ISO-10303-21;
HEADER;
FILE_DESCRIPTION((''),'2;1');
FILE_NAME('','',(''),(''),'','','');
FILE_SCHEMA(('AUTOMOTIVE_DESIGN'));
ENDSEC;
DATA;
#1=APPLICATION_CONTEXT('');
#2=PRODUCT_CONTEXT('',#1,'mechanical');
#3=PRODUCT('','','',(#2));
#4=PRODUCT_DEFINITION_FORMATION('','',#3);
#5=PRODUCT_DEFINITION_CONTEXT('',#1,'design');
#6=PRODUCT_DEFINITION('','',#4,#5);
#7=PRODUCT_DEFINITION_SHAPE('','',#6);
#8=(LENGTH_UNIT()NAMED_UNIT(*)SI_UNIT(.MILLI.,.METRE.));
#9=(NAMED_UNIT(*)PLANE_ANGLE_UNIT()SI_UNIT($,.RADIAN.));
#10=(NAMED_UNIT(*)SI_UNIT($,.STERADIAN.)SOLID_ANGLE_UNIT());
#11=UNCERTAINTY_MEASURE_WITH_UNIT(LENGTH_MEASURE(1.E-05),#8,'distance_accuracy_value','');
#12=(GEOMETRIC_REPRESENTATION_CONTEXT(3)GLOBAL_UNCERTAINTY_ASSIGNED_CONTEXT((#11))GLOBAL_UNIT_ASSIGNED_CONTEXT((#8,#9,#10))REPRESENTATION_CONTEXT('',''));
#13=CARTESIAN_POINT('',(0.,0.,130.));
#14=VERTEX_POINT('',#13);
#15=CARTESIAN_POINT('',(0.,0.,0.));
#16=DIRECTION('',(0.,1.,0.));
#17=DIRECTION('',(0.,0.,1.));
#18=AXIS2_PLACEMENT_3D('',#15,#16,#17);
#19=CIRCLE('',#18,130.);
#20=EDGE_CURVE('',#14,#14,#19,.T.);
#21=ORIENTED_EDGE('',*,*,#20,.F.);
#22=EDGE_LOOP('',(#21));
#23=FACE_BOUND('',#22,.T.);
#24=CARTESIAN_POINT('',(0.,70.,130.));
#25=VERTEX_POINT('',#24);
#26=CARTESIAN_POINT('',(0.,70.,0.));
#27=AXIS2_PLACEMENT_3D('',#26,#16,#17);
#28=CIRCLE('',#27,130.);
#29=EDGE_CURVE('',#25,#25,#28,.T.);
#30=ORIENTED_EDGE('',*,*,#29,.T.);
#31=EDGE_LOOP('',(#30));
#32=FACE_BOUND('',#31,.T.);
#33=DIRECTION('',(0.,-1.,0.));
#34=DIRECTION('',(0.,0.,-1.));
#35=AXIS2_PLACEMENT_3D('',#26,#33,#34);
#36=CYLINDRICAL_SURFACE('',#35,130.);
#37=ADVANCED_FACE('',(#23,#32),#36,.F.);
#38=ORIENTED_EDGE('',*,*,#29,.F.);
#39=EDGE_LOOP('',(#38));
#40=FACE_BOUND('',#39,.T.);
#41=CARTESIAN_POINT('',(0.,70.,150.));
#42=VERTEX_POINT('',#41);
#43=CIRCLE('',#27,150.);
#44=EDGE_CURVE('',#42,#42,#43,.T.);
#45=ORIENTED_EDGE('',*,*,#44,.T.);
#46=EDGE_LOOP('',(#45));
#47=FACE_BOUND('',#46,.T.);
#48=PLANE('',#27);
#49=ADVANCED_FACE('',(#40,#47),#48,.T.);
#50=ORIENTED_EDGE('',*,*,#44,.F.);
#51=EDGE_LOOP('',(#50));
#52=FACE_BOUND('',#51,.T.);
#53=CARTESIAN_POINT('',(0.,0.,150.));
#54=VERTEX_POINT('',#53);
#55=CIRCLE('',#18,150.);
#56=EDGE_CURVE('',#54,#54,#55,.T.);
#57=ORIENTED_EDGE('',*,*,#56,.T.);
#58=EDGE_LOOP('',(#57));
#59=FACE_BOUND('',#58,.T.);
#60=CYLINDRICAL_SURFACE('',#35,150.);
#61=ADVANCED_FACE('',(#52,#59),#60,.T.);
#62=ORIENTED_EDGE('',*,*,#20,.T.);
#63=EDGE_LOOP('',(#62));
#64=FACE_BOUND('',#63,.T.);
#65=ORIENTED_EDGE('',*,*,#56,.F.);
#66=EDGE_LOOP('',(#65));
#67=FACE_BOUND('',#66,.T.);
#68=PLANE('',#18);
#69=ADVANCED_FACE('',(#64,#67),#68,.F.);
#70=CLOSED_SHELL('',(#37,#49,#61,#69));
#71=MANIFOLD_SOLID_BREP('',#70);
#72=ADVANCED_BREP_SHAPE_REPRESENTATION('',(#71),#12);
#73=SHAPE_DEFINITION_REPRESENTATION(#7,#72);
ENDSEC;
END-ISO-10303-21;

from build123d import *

# Parameters (mm, degrees)
IZIM1_R                     = 150
IZIM1_R_2                   = 130
Y_KSEKLIK_EKSTR_ZYON1_DEPTH = 70


with BuildPart() as part:
    # Çizim1 → Yükseklik-Ekstrüzyon1 (new body)
    with BuildSketch(Plane(origin=(0, 0, 0), x_dir=(1, 0, 0), z_dir=(0, 1, 0))):
        with Locations(Location((0, 0, 0), (0, 0, 270))):
            Circle(IZIM1_R)
        with Locations(Location((0, 0, 0), (0, 0, 270))):
            Circle(IZIM1_R_2, mode=Mode.SUBTRACT)
    extrude(amount=Y_KSEKLIK_EKSTR_ZYON1_DEPTH)


solid = part.part
